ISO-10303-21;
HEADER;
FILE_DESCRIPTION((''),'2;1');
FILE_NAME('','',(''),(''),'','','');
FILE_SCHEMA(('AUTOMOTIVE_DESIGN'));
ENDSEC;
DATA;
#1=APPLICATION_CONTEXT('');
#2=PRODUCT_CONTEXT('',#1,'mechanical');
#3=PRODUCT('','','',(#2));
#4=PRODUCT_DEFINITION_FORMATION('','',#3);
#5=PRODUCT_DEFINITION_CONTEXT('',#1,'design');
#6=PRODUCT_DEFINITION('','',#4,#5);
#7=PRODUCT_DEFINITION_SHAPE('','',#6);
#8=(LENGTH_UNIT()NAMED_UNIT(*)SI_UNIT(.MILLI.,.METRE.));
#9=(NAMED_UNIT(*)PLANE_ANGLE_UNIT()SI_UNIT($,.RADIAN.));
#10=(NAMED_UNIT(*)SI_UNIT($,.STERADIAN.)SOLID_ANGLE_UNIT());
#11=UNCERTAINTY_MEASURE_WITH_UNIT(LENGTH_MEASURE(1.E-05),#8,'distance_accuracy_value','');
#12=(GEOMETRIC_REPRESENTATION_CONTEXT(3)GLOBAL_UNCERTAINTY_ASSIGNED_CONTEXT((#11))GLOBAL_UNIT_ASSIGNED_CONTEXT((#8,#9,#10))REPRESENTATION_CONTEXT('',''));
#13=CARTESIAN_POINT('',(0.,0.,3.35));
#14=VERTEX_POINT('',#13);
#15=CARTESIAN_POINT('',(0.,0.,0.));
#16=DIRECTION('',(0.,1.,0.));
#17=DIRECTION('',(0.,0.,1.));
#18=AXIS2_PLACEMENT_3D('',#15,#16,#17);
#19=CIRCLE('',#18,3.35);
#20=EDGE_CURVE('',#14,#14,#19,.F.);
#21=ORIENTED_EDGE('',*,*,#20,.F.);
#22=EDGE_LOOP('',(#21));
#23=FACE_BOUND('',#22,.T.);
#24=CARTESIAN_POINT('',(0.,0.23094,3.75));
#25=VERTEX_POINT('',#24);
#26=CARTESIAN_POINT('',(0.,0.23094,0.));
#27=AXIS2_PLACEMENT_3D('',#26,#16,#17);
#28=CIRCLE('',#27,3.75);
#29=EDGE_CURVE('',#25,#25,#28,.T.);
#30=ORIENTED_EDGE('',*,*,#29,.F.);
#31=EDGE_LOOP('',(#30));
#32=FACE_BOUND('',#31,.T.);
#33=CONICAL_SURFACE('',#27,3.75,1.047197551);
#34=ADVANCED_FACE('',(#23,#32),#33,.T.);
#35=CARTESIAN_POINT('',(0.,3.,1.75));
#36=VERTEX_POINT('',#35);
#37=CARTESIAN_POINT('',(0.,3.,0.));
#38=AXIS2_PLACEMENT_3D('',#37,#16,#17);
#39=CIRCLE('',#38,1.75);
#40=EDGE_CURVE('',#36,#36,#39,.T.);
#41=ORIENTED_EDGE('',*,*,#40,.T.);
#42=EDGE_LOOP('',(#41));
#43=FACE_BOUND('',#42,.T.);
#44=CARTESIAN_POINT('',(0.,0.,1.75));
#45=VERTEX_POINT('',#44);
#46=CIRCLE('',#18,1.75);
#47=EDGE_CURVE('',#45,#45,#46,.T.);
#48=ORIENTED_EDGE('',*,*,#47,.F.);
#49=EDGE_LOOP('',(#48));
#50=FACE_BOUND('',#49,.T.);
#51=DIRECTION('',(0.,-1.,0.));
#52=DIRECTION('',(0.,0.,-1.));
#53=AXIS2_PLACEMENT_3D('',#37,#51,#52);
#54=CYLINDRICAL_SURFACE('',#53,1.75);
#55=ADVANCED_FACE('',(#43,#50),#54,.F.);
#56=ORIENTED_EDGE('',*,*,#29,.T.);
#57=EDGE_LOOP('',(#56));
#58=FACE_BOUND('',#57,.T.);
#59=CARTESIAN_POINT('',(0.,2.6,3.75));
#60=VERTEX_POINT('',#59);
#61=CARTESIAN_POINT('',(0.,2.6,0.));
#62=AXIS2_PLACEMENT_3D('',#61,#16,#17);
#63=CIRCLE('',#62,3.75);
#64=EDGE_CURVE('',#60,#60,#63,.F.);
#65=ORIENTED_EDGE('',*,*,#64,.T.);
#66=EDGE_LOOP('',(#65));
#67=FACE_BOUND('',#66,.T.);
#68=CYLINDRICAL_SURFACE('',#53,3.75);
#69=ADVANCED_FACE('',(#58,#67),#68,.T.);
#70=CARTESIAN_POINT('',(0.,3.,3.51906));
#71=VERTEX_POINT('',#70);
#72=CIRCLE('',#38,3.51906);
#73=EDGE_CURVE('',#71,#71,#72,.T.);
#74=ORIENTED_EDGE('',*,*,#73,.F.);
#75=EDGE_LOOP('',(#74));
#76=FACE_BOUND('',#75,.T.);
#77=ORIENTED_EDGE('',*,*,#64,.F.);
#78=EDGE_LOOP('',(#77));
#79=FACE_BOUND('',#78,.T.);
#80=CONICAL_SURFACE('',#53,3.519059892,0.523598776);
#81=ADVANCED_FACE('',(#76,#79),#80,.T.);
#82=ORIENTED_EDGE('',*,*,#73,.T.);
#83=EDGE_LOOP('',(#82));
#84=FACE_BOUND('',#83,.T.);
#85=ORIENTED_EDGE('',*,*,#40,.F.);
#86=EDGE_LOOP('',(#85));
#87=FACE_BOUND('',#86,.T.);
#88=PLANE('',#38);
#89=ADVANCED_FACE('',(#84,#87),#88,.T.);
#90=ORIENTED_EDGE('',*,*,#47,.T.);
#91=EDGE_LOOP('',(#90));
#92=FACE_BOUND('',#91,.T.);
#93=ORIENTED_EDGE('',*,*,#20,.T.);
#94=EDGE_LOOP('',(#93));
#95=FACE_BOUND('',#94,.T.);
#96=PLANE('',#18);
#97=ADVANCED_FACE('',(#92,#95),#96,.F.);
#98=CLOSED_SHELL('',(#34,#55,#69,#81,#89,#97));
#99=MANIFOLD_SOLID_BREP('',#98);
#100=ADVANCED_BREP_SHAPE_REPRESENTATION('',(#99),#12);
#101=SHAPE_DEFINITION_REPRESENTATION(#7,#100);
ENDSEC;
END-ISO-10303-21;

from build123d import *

# Parameters (mm, degrees)
SKETCH1_R             = 3.75
SKETCH1_R_2           = 1.75
BOSS_EXTRUDE1_DEPTH   = 3
CHAMFER1_SIZE         = 0.4
CHAMFER1_SIZE2        = 0.230940108
CHAMFER1_PART_2_SIZE  = 0.4
CHAMFER1_PART_2_SIZE2 = 0.230940108


with BuildPart() as part:
    # Sketch1 → Boss-Extrude1 (new body)
    with BuildSketch(Plane(origin=(0, 0, 0), x_dir=(1, 0, 0), z_dir=(0, 1, 0))):
        Circle(SKETCH1_R)
        Circle(SKETCH1_R_2, mode=Mode.SUBTRACT)
    extrude(amount=BOSS_EXTRUDE1_DEPTH)

    # Chamfer1
    chamfer1_edges = [part.edges().sort_by_distance(p)[0] for p in [
        (-3.75, 0, 0),
    ]]
    chamfer1_side = [part.faces().sort_by_distance(p)[0] for p in [
        (-3.643933983, 0, 0),
    ]]
    chamfer(chamfer1_edges, length=CHAMFER1_SIZE, length2=CHAMFER1_SIZE2, reference=chamfer1_side[0])

    # Chamfer1 part 2
    chamfer1_part_2_edges = [part.edges().sort_by_distance(p)[0] for p in [
        (-3.75, 3, 0),
    ]]
    chamfer1_part_2_side = [part.faces().sort_by_distance(p)[0] for p in [
        (-3.75, 1.5, 0),
    ]]
    chamfer(chamfer1_part_2_edges, length=CHAMFER1_PART_2_SIZE, length2=CHAMFER1_PART_2_SIZE2, reference=chamfer1_part_2_side[0])


solid = part.part
